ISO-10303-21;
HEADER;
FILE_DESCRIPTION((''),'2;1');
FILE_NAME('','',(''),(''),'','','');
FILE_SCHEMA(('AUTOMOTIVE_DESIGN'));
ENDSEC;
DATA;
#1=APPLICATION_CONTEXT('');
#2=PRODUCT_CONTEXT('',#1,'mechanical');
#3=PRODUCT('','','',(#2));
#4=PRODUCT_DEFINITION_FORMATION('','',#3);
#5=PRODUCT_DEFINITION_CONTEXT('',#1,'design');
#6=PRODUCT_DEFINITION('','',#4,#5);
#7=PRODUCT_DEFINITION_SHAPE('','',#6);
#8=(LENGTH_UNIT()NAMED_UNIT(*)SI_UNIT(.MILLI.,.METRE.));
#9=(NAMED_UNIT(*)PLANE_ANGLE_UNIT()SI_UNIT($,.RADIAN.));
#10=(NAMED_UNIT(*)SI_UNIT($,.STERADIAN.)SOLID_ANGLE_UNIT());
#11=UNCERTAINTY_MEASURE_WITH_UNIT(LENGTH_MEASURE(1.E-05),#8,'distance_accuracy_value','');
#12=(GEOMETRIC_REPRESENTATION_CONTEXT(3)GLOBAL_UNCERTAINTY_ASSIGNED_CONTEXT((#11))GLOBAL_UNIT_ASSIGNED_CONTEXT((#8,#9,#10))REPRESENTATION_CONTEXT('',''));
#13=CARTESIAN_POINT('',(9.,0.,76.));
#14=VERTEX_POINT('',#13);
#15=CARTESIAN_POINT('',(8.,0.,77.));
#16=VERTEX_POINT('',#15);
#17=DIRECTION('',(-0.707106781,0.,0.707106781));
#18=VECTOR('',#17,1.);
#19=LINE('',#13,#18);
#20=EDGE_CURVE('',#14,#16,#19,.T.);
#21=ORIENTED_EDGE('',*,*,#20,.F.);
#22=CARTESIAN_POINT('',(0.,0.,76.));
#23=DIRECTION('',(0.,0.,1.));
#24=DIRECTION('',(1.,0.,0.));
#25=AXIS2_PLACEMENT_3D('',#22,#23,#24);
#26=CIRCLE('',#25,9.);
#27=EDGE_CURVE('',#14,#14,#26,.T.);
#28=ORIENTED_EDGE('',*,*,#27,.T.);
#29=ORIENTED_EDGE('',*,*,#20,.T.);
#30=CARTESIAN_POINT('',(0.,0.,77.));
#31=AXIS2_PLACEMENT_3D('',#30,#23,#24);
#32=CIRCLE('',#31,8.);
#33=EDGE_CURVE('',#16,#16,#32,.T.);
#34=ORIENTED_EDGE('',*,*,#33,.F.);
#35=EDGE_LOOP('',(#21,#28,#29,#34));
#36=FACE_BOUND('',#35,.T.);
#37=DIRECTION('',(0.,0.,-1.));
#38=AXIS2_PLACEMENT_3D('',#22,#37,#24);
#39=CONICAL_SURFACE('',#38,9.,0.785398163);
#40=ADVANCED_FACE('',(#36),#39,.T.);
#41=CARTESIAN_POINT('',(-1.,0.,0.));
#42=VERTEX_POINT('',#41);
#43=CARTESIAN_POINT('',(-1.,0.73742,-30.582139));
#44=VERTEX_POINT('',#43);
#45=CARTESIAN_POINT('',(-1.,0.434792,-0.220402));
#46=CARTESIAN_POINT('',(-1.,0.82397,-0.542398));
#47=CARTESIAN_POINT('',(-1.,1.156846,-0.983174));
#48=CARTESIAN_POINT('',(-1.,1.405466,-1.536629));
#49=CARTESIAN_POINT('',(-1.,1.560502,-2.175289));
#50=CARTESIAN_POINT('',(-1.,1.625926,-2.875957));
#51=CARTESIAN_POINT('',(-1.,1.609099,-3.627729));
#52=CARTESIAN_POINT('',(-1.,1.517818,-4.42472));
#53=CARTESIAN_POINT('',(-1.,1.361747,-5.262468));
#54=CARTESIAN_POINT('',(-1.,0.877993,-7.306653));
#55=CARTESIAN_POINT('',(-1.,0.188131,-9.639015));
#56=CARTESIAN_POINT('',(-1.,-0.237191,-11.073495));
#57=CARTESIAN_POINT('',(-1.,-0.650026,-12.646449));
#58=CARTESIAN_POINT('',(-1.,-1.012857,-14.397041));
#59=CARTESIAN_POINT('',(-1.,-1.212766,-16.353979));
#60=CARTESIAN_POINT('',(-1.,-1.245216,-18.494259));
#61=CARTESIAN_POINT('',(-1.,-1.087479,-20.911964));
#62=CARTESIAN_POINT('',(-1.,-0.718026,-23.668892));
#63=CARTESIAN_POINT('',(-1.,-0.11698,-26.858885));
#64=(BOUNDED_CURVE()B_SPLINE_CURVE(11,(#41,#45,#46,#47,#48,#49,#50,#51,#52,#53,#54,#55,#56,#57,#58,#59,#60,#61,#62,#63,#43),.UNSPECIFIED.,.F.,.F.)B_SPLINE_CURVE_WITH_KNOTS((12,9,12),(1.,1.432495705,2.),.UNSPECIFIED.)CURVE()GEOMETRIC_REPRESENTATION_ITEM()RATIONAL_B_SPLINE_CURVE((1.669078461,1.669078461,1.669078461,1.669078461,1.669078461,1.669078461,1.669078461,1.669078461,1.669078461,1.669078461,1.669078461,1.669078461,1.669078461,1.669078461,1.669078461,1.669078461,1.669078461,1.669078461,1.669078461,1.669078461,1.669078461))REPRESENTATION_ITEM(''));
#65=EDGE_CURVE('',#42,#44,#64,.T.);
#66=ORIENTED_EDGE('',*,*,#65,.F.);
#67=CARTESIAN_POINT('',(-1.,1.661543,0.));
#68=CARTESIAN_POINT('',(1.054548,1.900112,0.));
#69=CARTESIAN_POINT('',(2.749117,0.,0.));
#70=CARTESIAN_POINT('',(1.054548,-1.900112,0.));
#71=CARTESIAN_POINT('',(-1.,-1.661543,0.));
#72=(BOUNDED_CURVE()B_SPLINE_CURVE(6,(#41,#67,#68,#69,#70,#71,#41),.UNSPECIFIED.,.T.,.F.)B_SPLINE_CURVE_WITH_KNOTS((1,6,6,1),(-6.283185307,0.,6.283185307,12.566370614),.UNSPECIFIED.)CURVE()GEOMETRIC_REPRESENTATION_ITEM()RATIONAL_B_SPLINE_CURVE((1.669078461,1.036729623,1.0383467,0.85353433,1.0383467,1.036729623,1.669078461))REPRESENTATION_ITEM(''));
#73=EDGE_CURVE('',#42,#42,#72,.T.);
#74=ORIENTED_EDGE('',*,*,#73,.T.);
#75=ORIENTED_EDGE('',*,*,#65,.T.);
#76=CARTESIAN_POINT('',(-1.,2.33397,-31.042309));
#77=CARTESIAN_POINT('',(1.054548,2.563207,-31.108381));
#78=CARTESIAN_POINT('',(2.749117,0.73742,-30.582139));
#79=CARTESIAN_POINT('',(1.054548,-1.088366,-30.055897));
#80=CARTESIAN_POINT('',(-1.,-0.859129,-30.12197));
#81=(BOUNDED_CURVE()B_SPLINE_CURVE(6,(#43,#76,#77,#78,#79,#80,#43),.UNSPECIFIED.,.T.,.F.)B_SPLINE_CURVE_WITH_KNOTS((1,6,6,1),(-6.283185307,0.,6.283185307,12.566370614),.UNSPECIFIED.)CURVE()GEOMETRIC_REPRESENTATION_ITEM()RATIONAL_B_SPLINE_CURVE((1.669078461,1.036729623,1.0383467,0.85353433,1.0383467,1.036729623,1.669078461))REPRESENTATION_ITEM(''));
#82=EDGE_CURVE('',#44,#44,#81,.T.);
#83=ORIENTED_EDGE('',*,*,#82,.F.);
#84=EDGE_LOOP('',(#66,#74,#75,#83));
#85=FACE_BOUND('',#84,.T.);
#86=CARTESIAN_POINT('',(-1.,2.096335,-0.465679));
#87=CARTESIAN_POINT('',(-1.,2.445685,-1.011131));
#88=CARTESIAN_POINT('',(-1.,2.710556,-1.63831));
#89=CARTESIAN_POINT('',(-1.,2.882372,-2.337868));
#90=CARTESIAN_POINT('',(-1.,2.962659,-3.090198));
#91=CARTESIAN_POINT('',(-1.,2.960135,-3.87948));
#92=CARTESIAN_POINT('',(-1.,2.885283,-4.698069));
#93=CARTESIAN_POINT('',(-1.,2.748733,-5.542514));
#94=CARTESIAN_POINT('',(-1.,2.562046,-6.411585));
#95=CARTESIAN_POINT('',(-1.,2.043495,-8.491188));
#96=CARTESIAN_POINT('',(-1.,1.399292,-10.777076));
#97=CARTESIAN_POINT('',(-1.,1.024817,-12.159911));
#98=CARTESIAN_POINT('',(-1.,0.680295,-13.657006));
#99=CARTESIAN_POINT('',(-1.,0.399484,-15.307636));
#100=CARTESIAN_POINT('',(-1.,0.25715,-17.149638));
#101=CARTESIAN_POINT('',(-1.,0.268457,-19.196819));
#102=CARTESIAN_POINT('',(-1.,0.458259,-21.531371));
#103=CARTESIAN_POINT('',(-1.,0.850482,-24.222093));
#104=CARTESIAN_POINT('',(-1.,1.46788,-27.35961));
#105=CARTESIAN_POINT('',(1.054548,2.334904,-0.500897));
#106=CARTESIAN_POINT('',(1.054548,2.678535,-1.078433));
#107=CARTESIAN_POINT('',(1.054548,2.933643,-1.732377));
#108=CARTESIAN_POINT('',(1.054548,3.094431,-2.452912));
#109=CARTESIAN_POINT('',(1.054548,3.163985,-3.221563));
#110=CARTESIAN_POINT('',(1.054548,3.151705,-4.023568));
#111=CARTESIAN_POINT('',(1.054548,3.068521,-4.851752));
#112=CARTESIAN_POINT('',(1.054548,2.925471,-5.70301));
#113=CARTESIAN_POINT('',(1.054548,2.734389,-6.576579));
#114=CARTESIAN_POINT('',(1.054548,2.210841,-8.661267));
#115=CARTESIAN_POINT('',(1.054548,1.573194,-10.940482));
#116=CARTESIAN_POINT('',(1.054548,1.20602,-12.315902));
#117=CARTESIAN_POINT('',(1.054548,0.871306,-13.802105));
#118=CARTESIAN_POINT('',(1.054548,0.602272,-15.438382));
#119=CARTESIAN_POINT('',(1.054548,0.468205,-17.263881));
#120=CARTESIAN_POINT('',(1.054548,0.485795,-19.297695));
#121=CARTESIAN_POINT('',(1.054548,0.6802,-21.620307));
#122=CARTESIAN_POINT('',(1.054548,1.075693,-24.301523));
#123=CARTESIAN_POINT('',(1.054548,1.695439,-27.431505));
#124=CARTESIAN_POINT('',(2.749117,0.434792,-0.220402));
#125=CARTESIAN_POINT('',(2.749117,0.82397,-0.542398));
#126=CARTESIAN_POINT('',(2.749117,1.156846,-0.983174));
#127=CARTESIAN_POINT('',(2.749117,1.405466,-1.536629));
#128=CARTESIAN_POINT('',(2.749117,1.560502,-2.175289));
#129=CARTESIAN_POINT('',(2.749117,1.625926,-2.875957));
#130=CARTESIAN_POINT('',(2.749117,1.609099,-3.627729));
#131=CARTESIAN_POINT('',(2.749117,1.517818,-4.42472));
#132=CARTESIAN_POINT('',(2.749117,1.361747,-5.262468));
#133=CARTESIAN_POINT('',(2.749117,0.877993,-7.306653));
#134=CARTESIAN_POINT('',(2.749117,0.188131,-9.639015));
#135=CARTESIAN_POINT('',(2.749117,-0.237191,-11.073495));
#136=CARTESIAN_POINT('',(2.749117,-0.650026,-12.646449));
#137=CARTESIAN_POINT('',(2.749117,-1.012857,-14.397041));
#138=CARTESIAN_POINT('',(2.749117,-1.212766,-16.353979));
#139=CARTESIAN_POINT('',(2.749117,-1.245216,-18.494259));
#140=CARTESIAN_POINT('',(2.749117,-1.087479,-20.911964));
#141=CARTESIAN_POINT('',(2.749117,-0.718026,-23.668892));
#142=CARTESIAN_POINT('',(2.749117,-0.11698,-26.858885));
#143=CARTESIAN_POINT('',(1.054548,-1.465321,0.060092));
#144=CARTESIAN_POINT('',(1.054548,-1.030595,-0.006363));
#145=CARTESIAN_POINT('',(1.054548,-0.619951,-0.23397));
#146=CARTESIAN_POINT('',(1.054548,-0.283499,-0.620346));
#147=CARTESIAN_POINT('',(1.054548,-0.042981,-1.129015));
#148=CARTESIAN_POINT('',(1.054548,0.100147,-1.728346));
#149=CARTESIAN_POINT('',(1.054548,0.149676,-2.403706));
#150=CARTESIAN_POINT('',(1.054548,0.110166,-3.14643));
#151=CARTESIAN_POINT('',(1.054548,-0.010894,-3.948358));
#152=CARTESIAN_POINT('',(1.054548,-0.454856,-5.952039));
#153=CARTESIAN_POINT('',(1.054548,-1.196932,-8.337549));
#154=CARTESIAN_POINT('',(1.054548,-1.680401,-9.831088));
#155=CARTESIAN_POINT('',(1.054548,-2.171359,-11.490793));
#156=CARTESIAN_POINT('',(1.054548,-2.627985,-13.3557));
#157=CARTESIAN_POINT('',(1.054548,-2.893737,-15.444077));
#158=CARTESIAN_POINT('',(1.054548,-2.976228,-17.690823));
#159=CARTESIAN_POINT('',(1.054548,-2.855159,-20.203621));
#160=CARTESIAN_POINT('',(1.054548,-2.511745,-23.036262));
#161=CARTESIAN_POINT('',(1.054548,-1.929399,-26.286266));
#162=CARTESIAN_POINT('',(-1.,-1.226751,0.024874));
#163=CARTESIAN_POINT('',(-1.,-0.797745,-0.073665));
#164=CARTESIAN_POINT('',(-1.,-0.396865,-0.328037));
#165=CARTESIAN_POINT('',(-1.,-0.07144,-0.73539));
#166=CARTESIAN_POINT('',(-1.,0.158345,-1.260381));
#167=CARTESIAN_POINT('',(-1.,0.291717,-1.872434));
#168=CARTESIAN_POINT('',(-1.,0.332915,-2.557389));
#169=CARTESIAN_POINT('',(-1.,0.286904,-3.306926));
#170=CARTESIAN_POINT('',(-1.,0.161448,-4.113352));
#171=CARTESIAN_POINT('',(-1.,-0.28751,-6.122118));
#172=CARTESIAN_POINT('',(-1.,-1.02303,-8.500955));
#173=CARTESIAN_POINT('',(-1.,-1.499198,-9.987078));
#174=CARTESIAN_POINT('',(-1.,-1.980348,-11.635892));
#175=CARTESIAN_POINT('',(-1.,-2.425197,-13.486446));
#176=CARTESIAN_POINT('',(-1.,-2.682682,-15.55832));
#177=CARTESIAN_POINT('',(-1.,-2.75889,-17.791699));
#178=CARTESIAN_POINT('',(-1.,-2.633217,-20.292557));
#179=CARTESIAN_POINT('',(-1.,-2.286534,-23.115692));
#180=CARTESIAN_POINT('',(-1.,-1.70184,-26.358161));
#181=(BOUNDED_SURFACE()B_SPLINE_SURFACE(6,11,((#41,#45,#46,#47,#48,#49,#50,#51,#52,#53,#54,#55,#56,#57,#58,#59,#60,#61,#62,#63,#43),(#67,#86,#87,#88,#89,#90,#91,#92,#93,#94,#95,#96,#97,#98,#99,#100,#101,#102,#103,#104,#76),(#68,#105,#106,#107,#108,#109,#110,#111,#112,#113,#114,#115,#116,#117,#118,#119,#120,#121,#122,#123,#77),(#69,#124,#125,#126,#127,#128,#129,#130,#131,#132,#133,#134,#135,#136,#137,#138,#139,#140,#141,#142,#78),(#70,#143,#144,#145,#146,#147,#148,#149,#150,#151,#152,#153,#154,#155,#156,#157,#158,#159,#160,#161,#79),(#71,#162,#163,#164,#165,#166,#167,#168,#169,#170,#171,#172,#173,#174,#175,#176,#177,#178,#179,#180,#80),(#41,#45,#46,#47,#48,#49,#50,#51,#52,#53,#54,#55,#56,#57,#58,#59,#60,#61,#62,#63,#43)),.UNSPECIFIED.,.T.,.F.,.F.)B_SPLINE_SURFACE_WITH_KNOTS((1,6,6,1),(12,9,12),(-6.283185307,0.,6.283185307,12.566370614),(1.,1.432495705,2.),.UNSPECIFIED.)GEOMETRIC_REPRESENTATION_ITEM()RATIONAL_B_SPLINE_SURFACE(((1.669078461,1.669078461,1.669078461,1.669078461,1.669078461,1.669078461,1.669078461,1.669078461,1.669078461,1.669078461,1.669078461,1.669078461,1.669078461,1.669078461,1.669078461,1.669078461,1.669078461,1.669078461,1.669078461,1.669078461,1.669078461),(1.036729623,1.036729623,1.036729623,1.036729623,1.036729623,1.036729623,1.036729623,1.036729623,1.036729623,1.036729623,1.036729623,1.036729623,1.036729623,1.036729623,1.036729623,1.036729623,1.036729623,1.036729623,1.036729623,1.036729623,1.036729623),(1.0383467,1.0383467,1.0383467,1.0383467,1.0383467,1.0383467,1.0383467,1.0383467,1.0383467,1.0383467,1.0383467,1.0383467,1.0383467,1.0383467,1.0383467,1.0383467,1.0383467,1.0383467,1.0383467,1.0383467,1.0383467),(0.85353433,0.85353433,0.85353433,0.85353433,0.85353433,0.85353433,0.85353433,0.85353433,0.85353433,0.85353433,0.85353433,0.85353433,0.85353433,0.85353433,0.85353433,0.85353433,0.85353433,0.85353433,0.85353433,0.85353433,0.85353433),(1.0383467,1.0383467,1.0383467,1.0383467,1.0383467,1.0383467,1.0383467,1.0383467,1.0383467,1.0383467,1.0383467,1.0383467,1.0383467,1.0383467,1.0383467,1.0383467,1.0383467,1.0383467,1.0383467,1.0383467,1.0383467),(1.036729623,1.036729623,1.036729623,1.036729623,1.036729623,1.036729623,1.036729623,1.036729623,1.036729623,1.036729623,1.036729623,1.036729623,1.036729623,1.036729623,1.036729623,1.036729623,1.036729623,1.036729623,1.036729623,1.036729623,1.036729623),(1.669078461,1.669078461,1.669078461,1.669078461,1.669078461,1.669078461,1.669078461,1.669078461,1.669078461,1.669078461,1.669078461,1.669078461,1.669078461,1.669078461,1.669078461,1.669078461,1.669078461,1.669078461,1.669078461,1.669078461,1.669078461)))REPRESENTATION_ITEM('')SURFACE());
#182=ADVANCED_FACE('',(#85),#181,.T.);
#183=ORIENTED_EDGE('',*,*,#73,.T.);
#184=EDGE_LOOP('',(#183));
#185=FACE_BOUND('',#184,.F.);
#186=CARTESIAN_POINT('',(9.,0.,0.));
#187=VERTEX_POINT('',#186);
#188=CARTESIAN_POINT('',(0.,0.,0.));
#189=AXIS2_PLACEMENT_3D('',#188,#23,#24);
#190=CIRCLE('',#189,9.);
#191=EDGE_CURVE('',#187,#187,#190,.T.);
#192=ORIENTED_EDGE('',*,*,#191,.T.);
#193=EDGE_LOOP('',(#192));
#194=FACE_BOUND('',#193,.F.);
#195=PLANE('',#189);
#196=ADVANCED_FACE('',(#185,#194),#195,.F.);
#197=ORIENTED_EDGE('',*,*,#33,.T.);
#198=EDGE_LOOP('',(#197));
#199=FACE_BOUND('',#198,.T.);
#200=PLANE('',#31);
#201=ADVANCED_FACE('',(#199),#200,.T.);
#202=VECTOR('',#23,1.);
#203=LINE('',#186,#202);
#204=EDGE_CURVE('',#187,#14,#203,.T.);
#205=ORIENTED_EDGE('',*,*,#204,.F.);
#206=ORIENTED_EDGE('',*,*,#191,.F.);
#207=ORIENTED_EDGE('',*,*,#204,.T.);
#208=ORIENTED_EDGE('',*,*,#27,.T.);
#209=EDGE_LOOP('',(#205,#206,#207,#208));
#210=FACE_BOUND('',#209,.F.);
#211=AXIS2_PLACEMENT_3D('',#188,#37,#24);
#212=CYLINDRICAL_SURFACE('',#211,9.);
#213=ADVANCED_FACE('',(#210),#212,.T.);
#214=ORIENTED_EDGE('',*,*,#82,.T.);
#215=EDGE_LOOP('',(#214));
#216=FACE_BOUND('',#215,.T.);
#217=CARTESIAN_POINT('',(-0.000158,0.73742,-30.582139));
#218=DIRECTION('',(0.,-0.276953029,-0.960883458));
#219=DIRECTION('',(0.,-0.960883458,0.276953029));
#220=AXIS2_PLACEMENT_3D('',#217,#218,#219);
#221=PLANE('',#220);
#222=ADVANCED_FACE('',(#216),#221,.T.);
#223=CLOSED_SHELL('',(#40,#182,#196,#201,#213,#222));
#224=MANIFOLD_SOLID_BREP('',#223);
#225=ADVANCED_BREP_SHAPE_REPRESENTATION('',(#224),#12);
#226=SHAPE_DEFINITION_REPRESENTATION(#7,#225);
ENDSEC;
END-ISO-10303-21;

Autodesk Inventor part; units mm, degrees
ref_plane "YZ Plane" through (0, 0, 0) normal (1, 0, 0) x (0, 1, 0)
ref_plane "XZ Plane" through (0, 0, 0) normal (0, 1, 0) x (-1, 0, 0)
ref_plane "XY Plane" through (0, 0, 0) normal (0, 0, 1) x (1, 0, 0)
sketch "Schizzo1" plane through (0, 0, 0) normal (0, 0, 1) x (1, 0, 0)
  circle A0 centre (0, 0) radius 9
  dimension "d0" = 18
extrude "Estrusione1" add sketch "Schizzo1" along normal blind 77
thread "Filettatura1"
chamfer "Smusso1" distance 1 angle 45 1 edges at (-9, 0, 77)
sketch "Schizzo3" plane through (0, 0, 0) normal (0, 0, -1) x (-1, 0, 0)
  circle A0 centre (0, 0) radius 1
  dimension "d8" = 2
sketch "Schizzo4" plane through (0, 0, 0) normal (1, 0, 0) x (0, 1, 0)
  line L0 (-9, 0) -> (9, 0) projected
  line L1 (3.6716, 0) -> (6.4362, -4.8477) construction
  line L2 (6.4362, -4.8477) -> (2.6524, -12.3111) construction
  line L3 (2.6524, -12.3111) -> (0, -13.9912) construction
  line L4 (0, -13.9912) -> (4.2654, -31.599) construction
  spline S0 degree 4 poles (3.6716, 0) (6.4362, -4.8477) (2.6524, -12.3111) (0, -13.9912) (4.2654, -31.599) knots 1 1 1 1 1 2 2 2 2 2
  point P0 (0, 0)
sweep "Sweep1" add profiles "Schizzo3" path "Schizzo4" path curves S0
properties part number "Modello sensore ultrasuoni" material "Plastica ABS"
